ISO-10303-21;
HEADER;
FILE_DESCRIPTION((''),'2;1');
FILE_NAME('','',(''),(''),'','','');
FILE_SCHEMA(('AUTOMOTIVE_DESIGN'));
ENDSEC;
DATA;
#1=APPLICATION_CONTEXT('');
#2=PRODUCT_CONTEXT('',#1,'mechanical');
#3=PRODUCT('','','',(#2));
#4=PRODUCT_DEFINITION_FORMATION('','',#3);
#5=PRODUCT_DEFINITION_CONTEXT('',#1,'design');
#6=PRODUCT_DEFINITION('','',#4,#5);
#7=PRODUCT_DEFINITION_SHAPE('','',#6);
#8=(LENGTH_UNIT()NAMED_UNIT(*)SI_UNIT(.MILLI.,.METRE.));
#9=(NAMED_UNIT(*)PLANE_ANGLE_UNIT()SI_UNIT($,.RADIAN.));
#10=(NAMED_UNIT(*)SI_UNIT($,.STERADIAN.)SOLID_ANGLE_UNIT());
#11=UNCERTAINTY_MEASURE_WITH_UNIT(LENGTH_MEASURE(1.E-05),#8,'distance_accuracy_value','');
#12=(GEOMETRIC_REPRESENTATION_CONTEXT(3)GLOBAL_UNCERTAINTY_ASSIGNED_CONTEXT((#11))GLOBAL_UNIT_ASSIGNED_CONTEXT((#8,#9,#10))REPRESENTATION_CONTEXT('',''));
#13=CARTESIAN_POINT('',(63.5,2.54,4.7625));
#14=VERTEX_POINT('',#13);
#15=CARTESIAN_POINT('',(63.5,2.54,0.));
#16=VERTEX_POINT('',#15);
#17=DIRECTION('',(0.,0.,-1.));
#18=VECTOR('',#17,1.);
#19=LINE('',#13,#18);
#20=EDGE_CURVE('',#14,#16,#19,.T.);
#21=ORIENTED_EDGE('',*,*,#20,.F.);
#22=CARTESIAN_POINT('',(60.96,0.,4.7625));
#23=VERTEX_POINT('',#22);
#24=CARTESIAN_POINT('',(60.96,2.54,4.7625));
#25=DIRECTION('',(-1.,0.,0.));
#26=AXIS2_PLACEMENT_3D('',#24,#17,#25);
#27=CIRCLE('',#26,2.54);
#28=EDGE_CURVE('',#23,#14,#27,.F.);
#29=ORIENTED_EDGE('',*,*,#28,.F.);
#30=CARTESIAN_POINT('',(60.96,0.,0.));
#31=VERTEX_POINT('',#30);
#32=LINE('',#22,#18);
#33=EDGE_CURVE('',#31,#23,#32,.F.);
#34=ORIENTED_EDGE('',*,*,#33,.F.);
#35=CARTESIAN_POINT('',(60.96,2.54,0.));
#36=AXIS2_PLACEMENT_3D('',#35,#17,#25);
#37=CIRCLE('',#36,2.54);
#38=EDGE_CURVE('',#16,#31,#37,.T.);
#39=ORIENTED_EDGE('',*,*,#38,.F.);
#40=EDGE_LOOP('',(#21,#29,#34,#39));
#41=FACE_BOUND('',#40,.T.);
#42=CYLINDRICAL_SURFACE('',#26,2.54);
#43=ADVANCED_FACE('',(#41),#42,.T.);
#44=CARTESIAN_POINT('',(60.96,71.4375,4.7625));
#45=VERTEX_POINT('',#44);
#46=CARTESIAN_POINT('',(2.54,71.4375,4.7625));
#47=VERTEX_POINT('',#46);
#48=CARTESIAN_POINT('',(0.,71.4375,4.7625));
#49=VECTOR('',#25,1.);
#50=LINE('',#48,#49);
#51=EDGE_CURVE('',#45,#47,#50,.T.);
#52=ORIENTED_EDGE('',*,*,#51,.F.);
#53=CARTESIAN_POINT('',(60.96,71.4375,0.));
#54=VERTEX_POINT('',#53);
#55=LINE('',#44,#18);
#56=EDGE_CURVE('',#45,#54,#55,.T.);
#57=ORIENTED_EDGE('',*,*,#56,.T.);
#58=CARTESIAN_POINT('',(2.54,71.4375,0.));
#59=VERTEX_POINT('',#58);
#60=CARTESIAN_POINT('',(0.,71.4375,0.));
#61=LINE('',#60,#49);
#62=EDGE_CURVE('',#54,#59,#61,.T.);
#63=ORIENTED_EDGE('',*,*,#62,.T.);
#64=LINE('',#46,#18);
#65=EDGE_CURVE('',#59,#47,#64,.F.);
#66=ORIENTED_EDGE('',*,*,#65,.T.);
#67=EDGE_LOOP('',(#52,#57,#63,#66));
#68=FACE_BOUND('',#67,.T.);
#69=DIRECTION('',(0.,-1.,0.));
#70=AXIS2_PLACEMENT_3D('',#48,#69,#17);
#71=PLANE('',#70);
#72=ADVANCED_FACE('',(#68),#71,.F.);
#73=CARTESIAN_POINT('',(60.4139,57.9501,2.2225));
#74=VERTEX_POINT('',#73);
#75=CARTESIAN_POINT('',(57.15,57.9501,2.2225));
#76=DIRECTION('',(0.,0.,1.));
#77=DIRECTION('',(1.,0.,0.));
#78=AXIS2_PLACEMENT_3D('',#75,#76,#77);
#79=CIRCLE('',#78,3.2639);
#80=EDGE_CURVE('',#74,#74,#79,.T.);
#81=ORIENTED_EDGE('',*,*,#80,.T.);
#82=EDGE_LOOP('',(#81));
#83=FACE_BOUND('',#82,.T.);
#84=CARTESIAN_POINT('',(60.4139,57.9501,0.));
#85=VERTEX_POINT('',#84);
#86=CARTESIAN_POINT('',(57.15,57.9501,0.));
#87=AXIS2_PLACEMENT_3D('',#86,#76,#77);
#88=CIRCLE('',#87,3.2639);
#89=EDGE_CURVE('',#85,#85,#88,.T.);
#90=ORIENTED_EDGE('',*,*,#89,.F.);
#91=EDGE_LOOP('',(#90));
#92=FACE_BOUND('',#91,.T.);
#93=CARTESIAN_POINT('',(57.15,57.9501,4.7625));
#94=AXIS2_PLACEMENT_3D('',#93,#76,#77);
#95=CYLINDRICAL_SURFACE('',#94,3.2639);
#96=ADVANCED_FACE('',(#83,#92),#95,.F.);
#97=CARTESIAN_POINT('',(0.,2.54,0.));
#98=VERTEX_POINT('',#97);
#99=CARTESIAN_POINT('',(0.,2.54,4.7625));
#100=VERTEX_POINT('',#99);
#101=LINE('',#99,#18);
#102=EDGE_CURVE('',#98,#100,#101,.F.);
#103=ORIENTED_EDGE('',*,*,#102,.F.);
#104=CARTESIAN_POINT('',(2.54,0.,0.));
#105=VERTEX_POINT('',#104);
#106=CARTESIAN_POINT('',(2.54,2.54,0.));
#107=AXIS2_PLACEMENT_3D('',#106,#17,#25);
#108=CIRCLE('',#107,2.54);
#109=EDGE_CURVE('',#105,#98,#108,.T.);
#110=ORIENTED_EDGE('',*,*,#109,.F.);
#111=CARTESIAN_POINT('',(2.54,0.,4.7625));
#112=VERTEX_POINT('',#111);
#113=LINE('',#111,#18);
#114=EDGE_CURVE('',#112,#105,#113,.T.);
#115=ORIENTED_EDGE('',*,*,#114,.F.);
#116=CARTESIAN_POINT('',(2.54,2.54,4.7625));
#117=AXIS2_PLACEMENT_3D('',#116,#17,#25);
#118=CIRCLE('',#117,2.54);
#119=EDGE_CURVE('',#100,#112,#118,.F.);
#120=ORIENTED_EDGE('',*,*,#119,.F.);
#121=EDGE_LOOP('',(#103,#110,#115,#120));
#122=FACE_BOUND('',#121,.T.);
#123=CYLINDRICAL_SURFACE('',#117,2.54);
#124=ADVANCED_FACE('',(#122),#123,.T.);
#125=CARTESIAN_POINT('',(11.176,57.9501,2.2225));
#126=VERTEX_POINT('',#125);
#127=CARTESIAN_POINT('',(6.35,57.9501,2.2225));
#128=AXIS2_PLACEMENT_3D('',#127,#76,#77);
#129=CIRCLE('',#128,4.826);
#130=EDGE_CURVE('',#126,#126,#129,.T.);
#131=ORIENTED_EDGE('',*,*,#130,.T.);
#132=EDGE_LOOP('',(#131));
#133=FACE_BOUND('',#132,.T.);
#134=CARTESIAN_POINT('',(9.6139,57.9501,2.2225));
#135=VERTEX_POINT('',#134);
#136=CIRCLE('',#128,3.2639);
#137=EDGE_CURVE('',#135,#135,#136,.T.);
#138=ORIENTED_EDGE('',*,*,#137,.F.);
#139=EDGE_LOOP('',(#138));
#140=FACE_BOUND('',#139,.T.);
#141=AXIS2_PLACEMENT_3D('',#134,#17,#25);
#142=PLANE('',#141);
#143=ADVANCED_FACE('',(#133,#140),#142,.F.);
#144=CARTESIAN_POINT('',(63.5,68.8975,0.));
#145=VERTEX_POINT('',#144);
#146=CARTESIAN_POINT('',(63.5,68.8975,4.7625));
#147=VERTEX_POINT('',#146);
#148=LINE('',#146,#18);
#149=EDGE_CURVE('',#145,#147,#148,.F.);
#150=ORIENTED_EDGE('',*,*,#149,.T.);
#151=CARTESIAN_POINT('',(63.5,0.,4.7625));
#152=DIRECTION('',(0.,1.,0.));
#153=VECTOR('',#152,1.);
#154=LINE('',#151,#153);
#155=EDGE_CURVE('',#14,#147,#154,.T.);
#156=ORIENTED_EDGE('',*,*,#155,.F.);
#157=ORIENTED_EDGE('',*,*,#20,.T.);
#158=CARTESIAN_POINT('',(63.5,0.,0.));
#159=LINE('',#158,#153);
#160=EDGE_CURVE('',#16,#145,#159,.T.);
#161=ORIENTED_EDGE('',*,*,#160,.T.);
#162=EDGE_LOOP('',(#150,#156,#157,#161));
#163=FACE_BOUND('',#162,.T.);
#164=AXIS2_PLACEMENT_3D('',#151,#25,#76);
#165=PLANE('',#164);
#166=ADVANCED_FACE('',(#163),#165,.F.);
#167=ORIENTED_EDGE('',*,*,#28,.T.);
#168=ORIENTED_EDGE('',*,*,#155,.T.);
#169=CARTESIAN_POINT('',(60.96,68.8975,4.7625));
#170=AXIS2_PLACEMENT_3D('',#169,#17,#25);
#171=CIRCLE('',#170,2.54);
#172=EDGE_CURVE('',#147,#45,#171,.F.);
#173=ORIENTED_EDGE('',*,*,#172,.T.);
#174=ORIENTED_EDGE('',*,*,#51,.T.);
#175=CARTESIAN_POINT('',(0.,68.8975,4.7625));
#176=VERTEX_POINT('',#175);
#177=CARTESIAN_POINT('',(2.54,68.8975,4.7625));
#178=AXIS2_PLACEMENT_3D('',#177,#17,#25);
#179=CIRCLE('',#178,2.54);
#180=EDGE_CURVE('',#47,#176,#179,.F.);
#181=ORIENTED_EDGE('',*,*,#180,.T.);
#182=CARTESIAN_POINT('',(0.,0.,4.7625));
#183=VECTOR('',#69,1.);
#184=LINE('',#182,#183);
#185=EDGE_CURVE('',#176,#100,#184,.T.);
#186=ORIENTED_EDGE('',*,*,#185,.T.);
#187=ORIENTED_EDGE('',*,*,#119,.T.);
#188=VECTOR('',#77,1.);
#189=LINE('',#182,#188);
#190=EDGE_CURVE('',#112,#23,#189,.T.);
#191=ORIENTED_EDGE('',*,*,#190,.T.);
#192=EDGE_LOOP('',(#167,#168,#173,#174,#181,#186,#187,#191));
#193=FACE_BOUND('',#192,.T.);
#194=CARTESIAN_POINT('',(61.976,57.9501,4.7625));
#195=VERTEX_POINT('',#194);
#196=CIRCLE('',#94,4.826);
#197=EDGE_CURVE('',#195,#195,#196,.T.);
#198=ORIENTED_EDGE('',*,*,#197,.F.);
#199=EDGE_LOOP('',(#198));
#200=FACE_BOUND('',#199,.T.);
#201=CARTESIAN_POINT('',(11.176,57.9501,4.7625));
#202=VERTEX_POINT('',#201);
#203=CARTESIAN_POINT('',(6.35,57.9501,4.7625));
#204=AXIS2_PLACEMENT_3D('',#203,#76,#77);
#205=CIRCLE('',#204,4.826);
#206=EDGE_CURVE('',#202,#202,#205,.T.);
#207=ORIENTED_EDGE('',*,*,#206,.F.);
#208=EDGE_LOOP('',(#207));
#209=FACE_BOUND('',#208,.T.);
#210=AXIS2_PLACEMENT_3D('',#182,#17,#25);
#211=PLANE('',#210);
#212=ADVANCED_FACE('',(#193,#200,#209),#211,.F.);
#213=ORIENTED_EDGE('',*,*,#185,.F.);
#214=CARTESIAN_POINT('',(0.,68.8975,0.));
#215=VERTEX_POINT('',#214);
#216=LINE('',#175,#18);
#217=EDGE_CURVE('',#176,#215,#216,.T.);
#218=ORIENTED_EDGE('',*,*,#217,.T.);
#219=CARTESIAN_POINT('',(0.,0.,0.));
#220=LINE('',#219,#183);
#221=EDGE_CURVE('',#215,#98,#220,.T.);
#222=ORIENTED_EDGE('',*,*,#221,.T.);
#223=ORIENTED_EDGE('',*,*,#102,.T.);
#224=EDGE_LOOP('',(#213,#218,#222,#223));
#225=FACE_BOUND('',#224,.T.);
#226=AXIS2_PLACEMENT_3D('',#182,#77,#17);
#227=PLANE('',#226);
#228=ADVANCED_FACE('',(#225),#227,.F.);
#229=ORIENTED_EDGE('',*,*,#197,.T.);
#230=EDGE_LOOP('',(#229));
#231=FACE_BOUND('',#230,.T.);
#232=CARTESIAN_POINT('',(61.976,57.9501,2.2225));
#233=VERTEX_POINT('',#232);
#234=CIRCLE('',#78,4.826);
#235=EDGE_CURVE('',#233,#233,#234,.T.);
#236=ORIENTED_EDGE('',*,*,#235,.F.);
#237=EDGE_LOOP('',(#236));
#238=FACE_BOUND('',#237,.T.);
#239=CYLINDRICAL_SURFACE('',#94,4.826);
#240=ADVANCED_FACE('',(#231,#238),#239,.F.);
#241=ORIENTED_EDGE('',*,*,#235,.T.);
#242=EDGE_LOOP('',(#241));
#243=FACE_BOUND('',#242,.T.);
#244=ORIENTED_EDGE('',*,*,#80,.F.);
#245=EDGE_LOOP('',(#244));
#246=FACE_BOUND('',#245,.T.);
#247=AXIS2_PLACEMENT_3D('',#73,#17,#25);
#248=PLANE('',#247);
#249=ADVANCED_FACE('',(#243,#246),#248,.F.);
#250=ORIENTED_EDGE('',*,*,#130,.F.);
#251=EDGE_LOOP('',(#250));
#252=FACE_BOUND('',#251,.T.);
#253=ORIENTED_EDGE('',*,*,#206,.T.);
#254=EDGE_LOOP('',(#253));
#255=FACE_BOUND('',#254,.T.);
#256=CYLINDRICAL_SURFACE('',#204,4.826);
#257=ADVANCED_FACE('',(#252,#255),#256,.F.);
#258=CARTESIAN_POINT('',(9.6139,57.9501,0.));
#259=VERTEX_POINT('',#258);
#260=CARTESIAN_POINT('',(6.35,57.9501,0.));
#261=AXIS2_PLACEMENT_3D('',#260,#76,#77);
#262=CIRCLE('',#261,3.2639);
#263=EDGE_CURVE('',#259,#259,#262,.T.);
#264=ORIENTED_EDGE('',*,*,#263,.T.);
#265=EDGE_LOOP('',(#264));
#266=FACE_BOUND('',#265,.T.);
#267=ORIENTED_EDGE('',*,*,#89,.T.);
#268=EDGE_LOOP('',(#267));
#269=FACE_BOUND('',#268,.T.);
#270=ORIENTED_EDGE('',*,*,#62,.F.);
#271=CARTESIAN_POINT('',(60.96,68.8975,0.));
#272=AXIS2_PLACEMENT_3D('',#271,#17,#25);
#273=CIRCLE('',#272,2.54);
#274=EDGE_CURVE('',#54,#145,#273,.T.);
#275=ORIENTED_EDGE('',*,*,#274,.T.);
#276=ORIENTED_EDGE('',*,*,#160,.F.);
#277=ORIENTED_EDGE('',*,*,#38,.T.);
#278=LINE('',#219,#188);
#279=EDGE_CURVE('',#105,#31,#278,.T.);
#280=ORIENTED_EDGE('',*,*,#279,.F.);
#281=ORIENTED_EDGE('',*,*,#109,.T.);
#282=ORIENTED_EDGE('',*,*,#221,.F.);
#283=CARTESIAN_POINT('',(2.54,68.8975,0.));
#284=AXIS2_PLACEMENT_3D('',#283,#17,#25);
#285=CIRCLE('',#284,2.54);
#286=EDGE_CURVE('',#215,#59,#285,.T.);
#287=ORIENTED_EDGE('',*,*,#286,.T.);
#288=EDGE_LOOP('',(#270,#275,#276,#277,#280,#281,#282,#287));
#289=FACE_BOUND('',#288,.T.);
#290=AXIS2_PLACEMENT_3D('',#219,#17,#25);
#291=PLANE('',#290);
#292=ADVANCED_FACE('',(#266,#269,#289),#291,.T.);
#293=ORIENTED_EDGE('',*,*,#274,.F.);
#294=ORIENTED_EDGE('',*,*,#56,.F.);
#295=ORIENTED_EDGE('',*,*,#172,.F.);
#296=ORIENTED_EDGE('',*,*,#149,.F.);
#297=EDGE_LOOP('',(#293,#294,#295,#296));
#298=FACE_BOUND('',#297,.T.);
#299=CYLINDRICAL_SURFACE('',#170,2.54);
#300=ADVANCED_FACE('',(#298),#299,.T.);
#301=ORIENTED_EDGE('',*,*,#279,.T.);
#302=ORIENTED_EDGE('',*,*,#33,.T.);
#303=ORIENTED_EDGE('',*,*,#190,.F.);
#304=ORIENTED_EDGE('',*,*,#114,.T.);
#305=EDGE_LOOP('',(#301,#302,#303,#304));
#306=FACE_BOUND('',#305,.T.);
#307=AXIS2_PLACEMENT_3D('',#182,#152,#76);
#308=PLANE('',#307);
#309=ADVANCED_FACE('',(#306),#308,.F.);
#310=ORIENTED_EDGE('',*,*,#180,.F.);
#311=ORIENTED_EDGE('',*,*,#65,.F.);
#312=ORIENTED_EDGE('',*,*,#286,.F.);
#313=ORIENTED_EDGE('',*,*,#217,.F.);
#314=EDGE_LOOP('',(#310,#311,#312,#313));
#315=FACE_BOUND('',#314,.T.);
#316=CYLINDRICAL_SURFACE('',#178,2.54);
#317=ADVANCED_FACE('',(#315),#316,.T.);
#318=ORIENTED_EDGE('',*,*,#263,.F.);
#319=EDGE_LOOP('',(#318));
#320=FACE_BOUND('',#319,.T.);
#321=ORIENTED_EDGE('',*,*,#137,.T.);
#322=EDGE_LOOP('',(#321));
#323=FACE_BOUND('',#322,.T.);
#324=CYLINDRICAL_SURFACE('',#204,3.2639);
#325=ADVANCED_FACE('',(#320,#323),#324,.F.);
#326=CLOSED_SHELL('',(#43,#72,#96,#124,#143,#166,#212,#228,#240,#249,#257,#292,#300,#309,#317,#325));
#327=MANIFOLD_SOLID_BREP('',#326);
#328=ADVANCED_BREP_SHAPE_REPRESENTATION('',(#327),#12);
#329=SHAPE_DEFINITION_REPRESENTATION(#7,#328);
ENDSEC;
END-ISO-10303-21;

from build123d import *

# Parameters (mm, degrees)
SKETCH1_W                                        = 63.5
SKETCH1_H                                        = 71.4375
BOSS_EXTRUDE1_DEPTH                              = 4.7625
CBORE_FOR_1_4_SOCKET_HEAD_CAP_SCREW1_D           = 6.5278
CBORE_FOR_1_4_SOCKET_HEAD_CAP_SCREW1_CBORE_D     = 9.652
CBORE_FOR_1_4_SOCKET_HEAD_CAP_SCREW1_CBORE_DEPTH = 2.54
FILLET2_R                                        = 2.54


with BuildPart() as part:
    # Sketch1 → Boss-Extrude1 (new body)
    with BuildSketch(Plane.XY):
        with Locations((31.75, 35.71875)):
            Rectangle(SKETCH1_W, SKETCH1_H)
    extrude(amount=BOSS_EXTRUDE1_DEPTH)

    # CBORE for 1/4 Socket Head Cap Screw1 (through all)
    with Locations(Plane.XY.offset(4.7625)):
        with Locations((57.15, 57.9501), (6.35, 57.9501)):
            CounterBoreHole(CBORE_FOR_1_4_SOCKET_HEAD_CAP_SCREW1_D / 2, CBORE_FOR_1_4_SOCKET_HEAD_CAP_SCREW1_CBORE_D / 2, CBORE_FOR_1_4_SOCKET_HEAD_CAP_SCREW1_CBORE_DEPTH)

    # Fillet2
    fillet2_edges = [part.edges().sort_by_distance(p)[0] for p in [
        (0, 71.4375, 2.38125),
        (63.5, 71.4375, 2.38125),
        (63.5, 0, 2.38125),
        (0, 0, 2.38125),
    ]]
    fillet(fillet2_edges, radius=FILLET2_R)


solid = part.part
